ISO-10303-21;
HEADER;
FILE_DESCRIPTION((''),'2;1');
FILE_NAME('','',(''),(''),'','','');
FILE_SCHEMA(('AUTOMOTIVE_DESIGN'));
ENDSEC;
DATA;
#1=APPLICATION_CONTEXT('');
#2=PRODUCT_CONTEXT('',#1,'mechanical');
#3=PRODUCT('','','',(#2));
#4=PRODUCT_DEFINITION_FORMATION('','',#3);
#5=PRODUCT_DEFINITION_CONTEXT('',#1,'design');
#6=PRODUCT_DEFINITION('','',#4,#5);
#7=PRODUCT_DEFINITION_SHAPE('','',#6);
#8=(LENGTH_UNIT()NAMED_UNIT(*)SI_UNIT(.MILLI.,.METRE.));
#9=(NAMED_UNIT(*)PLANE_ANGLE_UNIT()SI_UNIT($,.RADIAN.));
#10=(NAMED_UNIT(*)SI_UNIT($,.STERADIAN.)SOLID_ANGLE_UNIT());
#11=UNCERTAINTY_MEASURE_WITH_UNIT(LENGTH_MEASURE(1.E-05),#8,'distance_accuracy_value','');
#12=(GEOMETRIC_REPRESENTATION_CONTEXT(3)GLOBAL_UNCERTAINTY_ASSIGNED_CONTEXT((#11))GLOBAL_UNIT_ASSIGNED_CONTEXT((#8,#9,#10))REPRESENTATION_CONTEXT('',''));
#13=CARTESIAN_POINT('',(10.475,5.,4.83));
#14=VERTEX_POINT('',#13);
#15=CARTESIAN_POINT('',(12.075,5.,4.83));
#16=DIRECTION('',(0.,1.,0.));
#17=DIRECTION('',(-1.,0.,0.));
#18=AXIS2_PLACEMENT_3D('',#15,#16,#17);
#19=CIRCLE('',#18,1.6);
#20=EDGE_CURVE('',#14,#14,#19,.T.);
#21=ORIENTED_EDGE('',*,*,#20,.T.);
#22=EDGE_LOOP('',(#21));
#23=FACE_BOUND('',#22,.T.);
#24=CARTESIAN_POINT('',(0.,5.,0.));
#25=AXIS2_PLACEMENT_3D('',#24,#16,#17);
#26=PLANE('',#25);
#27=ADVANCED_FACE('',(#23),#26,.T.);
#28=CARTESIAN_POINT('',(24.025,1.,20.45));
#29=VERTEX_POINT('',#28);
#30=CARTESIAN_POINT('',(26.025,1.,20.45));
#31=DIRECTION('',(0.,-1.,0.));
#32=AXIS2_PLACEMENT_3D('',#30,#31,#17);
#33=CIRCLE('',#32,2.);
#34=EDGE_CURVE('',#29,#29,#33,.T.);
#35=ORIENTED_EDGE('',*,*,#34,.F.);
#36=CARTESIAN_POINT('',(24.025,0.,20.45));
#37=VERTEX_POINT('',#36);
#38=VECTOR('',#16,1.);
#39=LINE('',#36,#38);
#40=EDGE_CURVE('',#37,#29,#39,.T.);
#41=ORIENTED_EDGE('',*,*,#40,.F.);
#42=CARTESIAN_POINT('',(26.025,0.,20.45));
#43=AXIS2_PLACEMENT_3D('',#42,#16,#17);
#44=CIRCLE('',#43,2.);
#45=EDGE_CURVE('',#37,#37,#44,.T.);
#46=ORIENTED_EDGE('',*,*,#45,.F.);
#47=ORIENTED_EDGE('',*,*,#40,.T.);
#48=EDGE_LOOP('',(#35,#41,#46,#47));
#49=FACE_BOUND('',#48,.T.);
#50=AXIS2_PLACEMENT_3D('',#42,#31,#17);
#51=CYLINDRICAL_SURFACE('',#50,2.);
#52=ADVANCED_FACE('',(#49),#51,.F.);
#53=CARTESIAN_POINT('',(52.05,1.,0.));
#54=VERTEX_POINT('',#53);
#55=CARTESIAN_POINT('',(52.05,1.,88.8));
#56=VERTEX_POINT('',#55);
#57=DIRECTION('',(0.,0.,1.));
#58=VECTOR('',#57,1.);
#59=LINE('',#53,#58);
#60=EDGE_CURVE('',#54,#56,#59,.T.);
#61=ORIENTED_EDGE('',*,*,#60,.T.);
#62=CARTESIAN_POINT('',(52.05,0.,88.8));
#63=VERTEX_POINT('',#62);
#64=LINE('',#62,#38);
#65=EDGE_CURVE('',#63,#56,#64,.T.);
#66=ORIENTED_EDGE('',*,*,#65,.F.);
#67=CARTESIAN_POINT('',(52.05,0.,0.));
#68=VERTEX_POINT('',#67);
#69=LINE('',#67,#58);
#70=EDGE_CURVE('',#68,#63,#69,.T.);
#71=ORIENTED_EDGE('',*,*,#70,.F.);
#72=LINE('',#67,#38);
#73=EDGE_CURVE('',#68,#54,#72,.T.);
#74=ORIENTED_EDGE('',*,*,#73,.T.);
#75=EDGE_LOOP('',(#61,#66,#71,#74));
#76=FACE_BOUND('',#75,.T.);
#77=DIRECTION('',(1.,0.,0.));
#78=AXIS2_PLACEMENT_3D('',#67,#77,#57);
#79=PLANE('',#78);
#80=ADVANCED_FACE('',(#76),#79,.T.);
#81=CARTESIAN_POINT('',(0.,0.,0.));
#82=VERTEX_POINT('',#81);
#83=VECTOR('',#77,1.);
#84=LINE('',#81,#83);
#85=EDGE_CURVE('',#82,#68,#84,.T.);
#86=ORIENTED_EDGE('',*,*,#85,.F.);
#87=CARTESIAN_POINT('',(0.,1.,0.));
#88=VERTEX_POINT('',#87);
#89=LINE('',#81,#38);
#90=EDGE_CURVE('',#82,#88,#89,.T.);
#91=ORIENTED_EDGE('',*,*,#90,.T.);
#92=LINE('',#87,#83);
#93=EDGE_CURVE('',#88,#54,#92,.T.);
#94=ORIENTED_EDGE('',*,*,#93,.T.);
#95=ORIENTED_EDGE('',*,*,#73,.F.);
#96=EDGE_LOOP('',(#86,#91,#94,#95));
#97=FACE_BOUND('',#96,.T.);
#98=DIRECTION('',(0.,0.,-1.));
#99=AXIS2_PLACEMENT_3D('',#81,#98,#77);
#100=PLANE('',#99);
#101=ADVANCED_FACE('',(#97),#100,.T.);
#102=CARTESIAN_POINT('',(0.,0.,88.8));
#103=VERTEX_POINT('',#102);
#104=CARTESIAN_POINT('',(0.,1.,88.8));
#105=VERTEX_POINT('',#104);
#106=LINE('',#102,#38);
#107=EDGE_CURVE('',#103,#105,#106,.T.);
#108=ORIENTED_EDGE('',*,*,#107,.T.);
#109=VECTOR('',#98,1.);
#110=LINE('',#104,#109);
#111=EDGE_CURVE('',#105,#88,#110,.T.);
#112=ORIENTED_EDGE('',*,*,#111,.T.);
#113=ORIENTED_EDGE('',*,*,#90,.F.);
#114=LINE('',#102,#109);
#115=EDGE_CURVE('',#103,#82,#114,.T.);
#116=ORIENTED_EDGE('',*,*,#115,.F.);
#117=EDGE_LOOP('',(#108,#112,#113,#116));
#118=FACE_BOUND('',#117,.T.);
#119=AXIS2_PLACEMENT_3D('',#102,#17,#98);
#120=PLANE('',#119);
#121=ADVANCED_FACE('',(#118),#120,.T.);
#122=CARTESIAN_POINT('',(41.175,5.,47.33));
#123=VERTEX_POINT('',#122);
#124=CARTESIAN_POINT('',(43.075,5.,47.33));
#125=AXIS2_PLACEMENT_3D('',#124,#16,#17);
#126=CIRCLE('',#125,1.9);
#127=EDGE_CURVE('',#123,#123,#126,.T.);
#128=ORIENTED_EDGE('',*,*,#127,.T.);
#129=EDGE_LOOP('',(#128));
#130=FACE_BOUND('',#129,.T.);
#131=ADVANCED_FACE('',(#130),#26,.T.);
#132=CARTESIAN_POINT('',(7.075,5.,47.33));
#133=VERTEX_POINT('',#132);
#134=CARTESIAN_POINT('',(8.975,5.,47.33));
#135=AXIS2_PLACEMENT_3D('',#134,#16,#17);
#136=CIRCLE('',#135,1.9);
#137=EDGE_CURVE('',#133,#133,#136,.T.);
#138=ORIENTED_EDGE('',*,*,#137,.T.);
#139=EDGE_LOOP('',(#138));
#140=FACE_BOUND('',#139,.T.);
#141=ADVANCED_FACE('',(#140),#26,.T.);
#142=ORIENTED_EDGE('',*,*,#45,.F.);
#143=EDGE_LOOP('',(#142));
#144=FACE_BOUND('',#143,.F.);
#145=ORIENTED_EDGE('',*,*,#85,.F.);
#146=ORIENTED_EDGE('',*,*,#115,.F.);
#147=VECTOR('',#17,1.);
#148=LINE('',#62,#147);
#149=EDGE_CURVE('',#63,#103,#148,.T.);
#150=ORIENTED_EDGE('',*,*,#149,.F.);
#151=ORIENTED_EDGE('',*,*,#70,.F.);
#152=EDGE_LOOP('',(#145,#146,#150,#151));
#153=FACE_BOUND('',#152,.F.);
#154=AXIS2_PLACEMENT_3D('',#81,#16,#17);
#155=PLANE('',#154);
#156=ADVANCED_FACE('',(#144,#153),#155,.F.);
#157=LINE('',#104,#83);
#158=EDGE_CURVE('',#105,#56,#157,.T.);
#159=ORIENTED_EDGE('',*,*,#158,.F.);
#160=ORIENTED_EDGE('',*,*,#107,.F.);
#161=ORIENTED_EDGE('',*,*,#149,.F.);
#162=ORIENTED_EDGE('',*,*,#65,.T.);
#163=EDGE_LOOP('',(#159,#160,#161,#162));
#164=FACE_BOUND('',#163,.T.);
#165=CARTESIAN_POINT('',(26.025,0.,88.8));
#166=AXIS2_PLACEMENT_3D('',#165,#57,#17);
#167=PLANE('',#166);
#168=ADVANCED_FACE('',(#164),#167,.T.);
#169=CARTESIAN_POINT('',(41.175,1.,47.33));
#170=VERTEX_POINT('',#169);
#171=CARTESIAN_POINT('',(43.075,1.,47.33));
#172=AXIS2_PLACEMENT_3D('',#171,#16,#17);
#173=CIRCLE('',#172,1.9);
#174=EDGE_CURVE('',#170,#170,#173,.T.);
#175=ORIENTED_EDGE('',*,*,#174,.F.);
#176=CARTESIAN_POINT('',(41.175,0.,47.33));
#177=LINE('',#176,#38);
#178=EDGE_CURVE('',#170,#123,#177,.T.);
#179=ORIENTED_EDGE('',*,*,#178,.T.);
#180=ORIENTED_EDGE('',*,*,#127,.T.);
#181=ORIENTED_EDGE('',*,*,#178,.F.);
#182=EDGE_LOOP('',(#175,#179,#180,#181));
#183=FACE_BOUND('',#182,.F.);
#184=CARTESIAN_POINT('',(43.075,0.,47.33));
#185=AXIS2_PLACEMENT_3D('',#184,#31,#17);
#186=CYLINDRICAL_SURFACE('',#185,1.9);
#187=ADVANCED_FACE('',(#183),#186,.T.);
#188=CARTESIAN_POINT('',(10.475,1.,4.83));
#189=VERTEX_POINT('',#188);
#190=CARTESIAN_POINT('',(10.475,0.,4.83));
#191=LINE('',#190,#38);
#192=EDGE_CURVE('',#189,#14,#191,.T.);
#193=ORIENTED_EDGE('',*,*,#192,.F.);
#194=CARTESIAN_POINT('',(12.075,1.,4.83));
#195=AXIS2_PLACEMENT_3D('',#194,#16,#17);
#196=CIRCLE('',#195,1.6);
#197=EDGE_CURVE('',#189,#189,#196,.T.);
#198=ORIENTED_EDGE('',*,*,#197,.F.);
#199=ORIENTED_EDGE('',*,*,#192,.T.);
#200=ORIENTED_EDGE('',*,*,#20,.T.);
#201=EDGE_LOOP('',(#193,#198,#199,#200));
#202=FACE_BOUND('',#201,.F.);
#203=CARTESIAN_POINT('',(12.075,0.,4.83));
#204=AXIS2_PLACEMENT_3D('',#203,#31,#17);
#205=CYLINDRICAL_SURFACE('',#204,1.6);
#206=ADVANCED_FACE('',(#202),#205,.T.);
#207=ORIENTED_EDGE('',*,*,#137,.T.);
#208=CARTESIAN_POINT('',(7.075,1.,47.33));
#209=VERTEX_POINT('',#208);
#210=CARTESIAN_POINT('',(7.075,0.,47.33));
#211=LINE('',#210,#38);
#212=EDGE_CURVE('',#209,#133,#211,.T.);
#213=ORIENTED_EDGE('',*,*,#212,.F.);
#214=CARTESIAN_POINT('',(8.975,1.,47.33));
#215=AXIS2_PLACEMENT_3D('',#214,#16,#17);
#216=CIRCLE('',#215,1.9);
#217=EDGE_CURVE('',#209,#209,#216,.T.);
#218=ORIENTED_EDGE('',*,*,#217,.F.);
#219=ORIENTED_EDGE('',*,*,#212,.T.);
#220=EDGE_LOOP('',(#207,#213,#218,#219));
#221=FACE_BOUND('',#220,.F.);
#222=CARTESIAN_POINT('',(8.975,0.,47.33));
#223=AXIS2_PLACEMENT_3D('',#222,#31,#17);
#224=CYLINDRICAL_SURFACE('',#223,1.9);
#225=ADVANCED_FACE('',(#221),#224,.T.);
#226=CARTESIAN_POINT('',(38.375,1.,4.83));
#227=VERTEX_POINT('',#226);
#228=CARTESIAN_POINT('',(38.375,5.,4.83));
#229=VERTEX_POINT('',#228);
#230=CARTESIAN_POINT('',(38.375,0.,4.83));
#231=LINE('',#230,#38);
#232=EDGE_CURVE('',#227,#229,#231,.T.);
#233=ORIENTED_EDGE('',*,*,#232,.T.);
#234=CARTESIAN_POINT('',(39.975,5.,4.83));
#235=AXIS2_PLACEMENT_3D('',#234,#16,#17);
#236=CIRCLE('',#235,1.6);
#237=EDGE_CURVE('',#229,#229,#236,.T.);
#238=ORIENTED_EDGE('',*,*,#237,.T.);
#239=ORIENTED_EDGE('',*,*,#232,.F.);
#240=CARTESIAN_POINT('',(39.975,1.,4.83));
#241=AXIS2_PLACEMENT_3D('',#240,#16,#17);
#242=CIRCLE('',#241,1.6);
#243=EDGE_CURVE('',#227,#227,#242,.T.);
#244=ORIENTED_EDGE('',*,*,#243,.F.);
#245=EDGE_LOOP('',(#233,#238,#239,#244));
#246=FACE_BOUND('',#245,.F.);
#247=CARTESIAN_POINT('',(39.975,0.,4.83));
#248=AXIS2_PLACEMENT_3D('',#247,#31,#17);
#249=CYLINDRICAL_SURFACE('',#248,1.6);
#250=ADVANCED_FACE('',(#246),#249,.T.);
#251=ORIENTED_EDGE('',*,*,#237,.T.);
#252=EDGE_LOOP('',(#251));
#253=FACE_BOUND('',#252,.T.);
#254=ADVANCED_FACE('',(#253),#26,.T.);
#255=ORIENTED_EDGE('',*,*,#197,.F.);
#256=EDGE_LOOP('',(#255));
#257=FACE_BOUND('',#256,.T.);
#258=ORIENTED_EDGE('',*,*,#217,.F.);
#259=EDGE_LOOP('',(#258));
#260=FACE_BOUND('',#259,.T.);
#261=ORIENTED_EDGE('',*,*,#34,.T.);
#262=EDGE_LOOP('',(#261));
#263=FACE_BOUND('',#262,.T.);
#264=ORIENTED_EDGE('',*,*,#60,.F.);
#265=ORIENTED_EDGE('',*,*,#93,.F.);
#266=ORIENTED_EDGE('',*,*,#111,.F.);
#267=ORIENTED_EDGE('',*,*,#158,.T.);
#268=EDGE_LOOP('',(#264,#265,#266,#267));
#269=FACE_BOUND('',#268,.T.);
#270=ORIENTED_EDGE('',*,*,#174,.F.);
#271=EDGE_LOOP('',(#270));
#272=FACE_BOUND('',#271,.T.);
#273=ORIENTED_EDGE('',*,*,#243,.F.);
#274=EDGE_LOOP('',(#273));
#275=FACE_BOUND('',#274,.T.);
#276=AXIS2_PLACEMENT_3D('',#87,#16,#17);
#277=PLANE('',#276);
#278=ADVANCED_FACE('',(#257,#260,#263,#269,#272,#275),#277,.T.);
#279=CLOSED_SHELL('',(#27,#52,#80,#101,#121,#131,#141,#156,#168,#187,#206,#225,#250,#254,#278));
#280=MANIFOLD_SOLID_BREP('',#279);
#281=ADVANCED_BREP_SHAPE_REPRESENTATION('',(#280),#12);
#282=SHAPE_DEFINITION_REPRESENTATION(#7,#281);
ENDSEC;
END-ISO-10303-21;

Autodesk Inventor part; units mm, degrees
ref_plane "YZ Plane" through (0, 0, 0) normal (1, 0, 0) x (0, 1, 0)
ref_plane "XZ Plane" through (0, 0, 0) normal (0, 1, 0) x (-1, 0, 0)
ref_plane "XY Plane" through (0, 0, 0) normal (0, 0, 1) x (1, 0, 0)
sketch "Sketch1" plane through (0, 0, 0) normal (0, 1, 0) x (-1, 0, 0)
  point P0 (0, 0)
sketch "Sketch2" plane through (0, 0, 0) normal (0, 1, 0) x (-1, 0, 0)
  line L0 (0, 0) -> (-52.05, 0)
  line L1 (-52.05, 0) -> (-52.05, 88.8)
  line L2 (-52.05, 88.8) -> (0, 88.8)
  line L3 (0, 88.8) -> (0, 0)
  circle A0 centre (-8.975, 47.33) radius 1.9
  line L4 (-26.025, 67.1436) -> (-26.025, 88.8)
  circle A1 centre (-12.075, 4.83) radius 1.6
  circle A2 centre (-43.075, 47.33) radius 1.9
  circle A3 centre (-39.975, 4.83) radius 1.6
  circle A4 centre (-26.025, 20.45) radius 2
  dimension "d0" = 52.05
  dimension "d1" = 88.8
  dimension "d2" = 3.8
  dimension "d4" = 17.05
  dimension "d5" = 3.2
  dimension "d6" = 13.95
  dimension "d7" = 42.5
  dimension "d12" = 4.83
  dimension "d13" = 4
  dimension "d17" = 15.62
  dimension "d18" = 27.9
  dimension "d19" = 3.1
  dimension "d20" = 13.95
extrude "Extrusion1" add sketch "Sketch2" along normal blind 5 contours A0 | A1 | A2 | A3
sketch "Sketch3" plane through (43.075, 0, 47.33) normal (0, -1, 0) x (1, 0, 0)
  circle A0 centre (0, 0) radius 1.9 projected
  circle A1 centre (-34.1, 0) radius 1.9 projected
  point P0 (-43.075, -47.33)
  dimension "d21" = 34.1
extrude "Extrusion2" add sketch "Sketch2" along normal blind 1 contours L0 L1 L2 L3 | A4
extrude "Extrusion3" cut sketch "Sketch2" along normal mid plane 5 contours A4
properties part number "test fit for rfid reader"
